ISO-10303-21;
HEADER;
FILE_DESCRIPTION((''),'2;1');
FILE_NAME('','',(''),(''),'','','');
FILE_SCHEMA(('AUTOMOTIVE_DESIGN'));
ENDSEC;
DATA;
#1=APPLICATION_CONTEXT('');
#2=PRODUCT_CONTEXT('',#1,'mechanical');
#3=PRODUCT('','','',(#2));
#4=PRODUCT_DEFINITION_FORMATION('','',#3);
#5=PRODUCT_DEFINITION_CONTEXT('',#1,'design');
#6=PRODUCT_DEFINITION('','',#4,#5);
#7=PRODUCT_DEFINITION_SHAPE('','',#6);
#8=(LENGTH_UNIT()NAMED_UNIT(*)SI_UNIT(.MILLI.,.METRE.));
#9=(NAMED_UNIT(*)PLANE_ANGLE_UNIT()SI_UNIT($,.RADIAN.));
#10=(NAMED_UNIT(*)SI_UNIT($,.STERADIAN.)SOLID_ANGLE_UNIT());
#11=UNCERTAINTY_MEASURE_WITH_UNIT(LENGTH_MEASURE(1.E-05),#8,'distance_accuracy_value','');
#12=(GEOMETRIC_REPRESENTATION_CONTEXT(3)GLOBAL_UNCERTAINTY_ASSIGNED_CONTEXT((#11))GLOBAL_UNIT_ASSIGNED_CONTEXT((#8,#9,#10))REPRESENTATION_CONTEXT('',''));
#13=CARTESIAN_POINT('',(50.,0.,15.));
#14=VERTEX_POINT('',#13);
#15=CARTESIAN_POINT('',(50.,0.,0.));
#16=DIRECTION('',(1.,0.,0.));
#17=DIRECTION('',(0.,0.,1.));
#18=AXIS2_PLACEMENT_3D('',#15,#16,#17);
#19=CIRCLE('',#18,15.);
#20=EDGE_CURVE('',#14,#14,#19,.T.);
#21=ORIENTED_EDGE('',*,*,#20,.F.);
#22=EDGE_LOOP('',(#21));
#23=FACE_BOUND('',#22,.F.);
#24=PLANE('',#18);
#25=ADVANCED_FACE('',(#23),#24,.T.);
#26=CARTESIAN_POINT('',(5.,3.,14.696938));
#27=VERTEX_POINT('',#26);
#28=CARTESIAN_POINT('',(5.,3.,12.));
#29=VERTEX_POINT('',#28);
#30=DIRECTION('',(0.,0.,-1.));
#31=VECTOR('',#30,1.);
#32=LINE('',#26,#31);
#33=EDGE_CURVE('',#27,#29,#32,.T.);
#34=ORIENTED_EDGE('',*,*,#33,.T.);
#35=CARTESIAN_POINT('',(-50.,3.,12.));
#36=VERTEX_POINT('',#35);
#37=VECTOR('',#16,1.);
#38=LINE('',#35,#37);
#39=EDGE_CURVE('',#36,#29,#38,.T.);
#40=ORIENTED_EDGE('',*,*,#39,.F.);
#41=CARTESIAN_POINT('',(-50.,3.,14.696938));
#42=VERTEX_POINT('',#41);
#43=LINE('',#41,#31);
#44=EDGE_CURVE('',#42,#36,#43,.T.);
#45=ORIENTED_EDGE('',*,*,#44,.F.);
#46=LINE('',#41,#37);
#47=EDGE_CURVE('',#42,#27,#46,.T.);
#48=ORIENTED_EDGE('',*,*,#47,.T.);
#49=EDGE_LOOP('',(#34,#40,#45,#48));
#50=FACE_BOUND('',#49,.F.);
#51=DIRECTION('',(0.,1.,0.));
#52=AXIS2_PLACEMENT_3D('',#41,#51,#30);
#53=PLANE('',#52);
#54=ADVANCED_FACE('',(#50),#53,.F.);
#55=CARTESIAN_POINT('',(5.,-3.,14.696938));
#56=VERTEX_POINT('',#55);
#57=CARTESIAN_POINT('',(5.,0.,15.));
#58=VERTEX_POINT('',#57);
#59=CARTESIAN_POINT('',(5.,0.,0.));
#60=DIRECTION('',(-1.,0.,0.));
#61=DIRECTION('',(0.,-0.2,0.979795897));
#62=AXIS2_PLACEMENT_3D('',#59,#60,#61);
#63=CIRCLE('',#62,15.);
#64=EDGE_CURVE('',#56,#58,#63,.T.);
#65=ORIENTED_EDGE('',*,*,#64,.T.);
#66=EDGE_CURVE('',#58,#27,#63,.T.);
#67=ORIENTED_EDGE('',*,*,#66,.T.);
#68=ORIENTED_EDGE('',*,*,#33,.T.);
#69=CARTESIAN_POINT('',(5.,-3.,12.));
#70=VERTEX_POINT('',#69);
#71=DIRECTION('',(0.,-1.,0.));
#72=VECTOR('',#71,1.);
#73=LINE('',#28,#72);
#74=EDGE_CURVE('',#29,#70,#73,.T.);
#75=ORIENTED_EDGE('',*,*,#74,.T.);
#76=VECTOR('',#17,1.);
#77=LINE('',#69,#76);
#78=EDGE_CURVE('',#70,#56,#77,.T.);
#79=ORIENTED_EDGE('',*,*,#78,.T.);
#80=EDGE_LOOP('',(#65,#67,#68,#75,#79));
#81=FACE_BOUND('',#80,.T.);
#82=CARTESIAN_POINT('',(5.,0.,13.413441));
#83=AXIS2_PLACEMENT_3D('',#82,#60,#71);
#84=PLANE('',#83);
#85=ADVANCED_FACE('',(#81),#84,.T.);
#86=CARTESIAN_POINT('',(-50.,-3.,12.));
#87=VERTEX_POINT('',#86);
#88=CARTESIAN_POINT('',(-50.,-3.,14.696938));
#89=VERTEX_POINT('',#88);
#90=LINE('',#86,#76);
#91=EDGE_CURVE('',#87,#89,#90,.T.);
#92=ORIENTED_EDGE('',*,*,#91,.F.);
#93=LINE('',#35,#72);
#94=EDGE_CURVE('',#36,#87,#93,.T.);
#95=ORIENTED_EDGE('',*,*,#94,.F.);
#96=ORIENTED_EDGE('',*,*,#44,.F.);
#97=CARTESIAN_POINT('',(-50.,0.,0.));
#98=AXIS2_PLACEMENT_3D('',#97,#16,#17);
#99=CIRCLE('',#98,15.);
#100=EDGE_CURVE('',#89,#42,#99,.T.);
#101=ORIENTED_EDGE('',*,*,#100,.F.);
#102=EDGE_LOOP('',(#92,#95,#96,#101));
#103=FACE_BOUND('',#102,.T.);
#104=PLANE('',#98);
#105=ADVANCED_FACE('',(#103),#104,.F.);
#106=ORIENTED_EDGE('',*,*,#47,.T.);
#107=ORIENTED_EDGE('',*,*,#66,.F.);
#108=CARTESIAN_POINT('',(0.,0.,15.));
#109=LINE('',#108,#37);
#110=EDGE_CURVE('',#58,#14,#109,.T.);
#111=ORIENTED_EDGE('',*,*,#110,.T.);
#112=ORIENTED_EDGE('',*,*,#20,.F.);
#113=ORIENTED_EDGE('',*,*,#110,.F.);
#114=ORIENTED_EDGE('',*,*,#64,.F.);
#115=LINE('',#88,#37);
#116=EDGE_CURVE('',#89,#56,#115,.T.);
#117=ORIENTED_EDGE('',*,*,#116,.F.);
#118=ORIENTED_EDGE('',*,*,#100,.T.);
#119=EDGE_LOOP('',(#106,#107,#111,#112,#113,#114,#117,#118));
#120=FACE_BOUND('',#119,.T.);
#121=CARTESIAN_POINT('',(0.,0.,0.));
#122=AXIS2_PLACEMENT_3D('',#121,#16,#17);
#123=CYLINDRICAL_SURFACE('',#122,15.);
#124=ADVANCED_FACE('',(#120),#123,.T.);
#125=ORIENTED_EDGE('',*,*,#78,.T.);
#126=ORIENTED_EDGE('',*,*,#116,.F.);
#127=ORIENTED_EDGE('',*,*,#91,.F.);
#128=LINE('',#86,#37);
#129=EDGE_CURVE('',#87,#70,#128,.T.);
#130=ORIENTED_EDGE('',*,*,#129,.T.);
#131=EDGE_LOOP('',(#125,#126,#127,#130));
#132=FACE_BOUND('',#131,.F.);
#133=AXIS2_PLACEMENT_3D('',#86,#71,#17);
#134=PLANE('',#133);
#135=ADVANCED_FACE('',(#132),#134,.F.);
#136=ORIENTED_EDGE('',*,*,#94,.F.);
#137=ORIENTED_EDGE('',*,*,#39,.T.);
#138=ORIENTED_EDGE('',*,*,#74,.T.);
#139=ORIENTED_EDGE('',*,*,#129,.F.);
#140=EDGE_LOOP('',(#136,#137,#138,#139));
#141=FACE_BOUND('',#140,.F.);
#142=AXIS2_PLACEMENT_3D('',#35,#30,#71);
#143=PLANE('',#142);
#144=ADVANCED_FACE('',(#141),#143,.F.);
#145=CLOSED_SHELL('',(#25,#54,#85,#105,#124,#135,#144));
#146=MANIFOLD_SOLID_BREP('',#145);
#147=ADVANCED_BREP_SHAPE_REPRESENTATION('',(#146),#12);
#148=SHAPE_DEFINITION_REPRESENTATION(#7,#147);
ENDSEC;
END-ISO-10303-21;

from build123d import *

# Parameters (mm, degrees)
F0_W     = 100
F0_H     = 15
F3_DEPTH = 55


with BuildPart() as f1:
    # F0 (on Front) → F1 (revolve)
    with BuildSketch(Plane.XZ):
        with Locations((0, 7.5)):
            Rectangle(F0_W, F0_H)
    revolve(axis=Axis((0, 0, 0), (1, 0, 0)))

    # F2 (on face) → F3 (cut)
    with BuildSketch(Plane(origin=(-50, 0, 0), x_dir=(0, -1, 0), z_dir=(-1, 0, 0))):
        with BuildLine():
            Line((3, 12), (3, 14.6969384567))
            ThreePointArc((3, 14.6969384567), (0, 15), (-3, 14.6969384567))
            Line((-3, 14.6969384567), (-3, 12))
            Line((-3, 12), (3, 12))
        make_face()
    extrude(amount=-F3_DEPTH, mode=Mode.SUBTRACT)


solid = f1.part
